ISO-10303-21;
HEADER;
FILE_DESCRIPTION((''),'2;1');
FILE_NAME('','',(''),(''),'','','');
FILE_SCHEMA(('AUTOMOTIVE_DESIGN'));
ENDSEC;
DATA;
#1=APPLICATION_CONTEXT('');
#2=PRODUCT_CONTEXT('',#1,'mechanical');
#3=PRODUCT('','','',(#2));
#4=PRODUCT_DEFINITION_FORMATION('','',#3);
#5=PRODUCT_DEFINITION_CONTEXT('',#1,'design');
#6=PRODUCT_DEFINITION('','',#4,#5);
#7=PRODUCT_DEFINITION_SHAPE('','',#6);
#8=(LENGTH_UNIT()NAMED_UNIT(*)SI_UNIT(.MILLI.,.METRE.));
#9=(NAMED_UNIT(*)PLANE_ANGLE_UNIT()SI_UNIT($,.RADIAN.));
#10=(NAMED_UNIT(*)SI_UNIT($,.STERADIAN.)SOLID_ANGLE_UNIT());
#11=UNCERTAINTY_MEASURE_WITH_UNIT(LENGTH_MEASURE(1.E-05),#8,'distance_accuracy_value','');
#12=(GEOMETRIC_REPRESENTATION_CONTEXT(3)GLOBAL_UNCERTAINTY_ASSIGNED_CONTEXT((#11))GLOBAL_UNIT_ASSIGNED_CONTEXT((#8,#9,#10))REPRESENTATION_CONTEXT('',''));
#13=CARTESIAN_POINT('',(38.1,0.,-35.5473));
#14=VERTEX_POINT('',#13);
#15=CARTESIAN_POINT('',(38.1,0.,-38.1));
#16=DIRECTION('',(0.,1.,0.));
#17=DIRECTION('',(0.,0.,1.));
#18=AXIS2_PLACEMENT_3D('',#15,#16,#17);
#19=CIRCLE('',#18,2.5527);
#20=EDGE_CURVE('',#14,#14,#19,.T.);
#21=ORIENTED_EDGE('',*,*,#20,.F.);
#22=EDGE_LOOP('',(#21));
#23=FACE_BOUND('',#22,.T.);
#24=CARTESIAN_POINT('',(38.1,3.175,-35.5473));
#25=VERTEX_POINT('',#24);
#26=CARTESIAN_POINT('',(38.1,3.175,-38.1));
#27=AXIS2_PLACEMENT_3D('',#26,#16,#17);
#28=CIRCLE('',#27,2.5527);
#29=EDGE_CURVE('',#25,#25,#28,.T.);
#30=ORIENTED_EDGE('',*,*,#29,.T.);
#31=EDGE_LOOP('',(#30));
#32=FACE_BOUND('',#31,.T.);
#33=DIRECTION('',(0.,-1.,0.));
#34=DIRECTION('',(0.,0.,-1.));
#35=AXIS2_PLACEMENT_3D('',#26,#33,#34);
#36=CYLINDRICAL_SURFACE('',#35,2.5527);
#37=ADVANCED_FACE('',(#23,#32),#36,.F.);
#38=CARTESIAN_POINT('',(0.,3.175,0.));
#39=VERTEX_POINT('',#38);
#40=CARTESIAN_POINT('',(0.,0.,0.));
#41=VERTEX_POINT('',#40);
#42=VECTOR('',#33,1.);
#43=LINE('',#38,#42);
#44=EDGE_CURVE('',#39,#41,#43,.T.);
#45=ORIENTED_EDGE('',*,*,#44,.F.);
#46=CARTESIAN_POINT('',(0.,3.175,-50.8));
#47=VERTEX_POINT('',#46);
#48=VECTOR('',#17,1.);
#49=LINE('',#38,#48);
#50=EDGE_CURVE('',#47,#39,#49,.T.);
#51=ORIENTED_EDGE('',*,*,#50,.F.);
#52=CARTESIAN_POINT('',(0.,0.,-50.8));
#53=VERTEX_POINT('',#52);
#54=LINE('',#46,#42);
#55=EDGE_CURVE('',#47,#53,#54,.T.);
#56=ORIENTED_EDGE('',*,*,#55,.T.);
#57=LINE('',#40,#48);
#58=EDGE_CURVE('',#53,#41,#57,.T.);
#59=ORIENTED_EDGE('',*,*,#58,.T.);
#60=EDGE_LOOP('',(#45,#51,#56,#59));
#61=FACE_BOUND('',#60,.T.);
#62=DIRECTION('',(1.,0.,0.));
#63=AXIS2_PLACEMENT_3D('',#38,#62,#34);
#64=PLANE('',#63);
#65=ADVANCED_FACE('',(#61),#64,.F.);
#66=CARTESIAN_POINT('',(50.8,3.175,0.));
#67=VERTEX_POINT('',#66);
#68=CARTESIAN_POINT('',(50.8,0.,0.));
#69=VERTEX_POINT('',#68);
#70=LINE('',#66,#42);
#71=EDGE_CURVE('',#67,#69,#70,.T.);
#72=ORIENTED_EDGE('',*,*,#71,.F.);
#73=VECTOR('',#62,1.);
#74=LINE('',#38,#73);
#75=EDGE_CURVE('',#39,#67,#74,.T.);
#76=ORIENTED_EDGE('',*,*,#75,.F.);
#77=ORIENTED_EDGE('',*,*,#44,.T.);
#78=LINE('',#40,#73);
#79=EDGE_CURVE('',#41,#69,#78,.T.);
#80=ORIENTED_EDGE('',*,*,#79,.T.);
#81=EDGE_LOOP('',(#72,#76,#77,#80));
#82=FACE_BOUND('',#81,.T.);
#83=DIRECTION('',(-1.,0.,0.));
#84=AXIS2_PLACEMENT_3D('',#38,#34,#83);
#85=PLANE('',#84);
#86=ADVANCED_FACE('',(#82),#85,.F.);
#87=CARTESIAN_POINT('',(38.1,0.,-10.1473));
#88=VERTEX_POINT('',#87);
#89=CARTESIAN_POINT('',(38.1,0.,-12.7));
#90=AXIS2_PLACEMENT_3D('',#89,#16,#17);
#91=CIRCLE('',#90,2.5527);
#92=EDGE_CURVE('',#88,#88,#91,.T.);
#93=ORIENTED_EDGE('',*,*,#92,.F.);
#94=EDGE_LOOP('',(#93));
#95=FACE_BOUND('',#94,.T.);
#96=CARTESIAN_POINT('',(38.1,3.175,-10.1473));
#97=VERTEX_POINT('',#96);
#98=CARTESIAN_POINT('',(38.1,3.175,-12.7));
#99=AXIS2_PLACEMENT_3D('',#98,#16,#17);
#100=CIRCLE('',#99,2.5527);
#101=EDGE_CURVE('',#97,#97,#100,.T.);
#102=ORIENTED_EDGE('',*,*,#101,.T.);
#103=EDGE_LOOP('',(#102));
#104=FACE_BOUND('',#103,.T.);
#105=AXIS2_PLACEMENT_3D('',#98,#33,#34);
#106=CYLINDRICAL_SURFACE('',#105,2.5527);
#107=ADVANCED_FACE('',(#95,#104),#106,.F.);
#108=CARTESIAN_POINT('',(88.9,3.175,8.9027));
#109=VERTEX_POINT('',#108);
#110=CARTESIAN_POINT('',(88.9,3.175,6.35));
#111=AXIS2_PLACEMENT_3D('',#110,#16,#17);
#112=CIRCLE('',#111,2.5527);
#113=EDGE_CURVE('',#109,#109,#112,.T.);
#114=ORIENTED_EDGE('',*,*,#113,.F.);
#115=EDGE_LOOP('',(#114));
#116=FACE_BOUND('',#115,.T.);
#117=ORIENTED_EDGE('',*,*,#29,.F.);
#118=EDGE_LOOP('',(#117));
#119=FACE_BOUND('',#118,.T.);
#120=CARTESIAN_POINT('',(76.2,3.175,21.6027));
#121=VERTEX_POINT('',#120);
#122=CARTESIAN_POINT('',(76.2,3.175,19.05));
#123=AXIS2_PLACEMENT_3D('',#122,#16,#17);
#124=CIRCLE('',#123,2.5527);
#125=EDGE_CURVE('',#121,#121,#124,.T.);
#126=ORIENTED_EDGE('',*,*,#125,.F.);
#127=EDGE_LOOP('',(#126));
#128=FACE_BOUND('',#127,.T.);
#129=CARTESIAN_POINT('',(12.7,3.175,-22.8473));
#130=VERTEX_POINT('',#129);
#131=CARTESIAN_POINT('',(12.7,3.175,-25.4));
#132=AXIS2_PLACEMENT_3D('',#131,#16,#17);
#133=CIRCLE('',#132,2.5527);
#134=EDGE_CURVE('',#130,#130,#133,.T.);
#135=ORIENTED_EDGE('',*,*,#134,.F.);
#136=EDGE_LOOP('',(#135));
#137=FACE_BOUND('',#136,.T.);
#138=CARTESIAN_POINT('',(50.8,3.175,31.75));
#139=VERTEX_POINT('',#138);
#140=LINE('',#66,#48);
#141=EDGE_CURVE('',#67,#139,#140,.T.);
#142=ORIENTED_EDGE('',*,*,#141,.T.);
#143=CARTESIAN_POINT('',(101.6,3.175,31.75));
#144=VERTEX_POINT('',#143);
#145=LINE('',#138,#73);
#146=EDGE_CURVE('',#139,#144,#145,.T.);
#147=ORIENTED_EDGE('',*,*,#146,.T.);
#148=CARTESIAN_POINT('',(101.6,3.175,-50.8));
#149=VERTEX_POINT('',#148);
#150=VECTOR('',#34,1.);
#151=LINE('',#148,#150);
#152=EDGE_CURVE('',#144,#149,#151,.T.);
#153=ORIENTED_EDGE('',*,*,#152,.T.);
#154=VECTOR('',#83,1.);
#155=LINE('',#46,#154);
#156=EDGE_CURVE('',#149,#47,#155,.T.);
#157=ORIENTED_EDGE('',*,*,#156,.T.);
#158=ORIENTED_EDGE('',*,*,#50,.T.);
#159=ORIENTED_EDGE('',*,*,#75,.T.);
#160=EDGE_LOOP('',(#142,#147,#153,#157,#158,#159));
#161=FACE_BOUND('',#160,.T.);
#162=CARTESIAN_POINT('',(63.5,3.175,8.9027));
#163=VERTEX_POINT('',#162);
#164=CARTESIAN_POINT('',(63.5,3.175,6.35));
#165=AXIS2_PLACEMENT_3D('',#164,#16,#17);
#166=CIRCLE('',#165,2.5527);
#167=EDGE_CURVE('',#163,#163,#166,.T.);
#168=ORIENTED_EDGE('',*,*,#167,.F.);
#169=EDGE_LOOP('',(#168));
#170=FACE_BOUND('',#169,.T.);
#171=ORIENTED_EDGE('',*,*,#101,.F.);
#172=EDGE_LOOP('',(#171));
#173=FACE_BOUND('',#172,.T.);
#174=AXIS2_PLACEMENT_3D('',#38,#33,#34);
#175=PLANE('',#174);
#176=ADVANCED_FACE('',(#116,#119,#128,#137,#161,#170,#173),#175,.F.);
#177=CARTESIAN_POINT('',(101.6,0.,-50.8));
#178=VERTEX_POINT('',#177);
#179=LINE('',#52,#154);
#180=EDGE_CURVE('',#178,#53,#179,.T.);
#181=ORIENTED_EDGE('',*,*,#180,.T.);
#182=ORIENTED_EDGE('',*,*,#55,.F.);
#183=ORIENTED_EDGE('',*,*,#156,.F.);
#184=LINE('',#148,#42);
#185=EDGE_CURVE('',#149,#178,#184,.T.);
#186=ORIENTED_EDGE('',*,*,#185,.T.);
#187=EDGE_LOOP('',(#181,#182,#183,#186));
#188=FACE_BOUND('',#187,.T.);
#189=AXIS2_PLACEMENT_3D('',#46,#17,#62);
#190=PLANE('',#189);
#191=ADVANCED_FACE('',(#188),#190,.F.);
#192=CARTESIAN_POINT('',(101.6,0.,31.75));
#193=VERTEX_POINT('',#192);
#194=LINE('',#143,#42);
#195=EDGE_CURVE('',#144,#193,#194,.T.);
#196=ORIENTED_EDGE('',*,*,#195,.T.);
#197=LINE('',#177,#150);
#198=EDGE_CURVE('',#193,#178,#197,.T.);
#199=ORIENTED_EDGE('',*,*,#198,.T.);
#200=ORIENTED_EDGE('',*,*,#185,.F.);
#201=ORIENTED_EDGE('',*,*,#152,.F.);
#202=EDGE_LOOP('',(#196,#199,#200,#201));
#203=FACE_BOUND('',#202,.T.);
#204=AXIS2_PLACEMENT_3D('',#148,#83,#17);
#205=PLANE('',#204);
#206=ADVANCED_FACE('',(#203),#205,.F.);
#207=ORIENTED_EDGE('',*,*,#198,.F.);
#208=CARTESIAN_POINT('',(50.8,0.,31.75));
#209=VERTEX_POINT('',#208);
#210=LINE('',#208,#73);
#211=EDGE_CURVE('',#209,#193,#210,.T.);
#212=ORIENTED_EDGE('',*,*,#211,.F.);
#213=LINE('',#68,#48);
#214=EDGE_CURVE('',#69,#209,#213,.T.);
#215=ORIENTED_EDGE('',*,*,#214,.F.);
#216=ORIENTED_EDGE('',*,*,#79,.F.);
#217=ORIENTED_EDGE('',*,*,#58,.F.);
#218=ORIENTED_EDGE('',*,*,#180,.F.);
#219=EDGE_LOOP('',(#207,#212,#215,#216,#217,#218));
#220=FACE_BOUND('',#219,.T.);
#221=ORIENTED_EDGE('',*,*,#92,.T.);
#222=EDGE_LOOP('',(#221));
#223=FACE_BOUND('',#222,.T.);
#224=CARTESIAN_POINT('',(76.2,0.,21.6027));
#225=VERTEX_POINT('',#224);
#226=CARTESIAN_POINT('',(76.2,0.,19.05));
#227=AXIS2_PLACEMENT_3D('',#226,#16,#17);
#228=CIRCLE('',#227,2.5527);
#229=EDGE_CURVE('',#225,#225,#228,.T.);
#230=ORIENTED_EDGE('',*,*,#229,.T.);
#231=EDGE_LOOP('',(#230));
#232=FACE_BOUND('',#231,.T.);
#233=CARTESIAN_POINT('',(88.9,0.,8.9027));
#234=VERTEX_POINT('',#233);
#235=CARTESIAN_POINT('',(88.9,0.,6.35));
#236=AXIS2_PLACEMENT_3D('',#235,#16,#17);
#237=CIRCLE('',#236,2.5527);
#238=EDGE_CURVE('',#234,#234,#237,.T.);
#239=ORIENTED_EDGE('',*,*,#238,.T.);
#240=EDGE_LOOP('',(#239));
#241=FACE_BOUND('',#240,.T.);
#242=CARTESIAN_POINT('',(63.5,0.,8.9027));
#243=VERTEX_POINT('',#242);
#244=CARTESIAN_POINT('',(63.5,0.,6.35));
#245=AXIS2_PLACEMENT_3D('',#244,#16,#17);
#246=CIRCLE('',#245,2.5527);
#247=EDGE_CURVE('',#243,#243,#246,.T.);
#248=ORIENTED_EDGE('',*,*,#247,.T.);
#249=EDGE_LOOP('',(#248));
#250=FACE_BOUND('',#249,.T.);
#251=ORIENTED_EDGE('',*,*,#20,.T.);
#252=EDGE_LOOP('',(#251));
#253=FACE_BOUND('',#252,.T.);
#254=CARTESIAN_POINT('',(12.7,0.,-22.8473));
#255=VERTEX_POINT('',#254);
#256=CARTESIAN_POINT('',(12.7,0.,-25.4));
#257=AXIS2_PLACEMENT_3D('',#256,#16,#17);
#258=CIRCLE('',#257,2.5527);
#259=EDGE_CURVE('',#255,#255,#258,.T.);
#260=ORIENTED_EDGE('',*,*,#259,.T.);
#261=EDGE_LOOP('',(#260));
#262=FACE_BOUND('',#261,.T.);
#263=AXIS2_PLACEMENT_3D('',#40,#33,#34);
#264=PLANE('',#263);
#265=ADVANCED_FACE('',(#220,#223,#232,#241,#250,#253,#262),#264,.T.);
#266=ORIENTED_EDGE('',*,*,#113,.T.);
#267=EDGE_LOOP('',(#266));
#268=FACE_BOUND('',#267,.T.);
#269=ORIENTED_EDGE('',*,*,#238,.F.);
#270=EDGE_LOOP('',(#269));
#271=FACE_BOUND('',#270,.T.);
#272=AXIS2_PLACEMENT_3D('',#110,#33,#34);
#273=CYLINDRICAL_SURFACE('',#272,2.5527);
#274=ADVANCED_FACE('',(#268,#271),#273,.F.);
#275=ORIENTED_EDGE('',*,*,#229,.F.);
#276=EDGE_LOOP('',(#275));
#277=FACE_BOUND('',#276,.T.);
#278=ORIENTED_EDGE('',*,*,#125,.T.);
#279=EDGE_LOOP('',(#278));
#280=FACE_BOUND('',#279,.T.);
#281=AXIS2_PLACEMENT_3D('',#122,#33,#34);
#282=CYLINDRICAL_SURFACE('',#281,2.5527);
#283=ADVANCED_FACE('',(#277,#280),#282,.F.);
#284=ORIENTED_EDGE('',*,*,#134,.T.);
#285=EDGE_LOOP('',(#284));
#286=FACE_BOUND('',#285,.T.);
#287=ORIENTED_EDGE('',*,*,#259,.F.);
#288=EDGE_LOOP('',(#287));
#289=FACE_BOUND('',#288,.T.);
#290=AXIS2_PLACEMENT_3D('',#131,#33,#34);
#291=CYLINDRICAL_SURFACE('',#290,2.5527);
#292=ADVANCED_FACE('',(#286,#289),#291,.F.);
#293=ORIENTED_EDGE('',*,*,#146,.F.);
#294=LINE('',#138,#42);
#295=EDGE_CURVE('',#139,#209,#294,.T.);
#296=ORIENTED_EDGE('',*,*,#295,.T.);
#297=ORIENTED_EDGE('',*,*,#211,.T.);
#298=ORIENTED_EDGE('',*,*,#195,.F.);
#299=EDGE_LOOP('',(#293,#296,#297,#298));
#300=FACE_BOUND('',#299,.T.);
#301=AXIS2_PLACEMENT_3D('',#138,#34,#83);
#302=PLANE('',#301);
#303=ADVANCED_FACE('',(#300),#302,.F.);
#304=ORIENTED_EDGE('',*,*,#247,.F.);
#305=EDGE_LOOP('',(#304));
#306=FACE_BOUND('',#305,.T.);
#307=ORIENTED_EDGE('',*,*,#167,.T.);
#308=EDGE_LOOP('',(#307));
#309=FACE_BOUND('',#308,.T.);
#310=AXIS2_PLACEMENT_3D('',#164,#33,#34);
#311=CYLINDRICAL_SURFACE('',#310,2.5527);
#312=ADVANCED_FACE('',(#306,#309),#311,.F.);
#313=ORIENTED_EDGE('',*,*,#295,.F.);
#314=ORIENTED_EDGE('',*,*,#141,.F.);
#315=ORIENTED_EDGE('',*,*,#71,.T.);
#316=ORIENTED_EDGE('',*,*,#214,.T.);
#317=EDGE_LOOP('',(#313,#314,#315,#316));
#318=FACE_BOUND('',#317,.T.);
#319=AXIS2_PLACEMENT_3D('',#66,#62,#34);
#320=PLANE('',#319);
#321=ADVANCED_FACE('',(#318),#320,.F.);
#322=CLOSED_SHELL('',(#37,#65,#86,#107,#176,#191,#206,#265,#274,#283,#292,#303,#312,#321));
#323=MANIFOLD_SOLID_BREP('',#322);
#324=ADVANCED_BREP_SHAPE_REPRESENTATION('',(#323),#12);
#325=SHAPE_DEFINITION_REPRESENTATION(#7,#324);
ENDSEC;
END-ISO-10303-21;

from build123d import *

# Parameters (mm, degrees)
SKETCH1_R           = 2.5527
BOSS_EXTRUDE1_DEPTH = 3.175


with BuildPart() as part:
    # Sketch1 → Boss-Extrude1 (new body)
    with BuildSketch(Plane(origin=(0, 0, 0), x_dir=(1, 0, 0), z_dir=(0, 1, 0))):
        Polygon((0, 0), (50.8, 0), (50.8, -31.75), (101.6, -31.75), (101.6, 50.8), (0, 50.8), align=None)
        with Locations((12.7, 25.4)):
            Circle(SKETCH1_R, mode=Mode.SUBTRACT)
        with Locations((38.1, 12.7)):
            Circle(SKETCH1_R, mode=Mode.SUBTRACT)
        with Locations((38.1, 38.1)):
            Circle(SKETCH1_R, mode=Mode.SUBTRACT)
        with Locations((63.5, -6.35)):
            Circle(SKETCH1_R, mode=Mode.SUBTRACT)
        with Locations((88.9, -6.35)):
            Circle(SKETCH1_R, mode=Mode.SUBTRACT)
        with Locations((76.2, -19.05)):
            Circle(SKETCH1_R, mode=Mode.SUBTRACT)
    extrude(amount=BOSS_EXTRUDE1_DEPTH)


solid = part.part
